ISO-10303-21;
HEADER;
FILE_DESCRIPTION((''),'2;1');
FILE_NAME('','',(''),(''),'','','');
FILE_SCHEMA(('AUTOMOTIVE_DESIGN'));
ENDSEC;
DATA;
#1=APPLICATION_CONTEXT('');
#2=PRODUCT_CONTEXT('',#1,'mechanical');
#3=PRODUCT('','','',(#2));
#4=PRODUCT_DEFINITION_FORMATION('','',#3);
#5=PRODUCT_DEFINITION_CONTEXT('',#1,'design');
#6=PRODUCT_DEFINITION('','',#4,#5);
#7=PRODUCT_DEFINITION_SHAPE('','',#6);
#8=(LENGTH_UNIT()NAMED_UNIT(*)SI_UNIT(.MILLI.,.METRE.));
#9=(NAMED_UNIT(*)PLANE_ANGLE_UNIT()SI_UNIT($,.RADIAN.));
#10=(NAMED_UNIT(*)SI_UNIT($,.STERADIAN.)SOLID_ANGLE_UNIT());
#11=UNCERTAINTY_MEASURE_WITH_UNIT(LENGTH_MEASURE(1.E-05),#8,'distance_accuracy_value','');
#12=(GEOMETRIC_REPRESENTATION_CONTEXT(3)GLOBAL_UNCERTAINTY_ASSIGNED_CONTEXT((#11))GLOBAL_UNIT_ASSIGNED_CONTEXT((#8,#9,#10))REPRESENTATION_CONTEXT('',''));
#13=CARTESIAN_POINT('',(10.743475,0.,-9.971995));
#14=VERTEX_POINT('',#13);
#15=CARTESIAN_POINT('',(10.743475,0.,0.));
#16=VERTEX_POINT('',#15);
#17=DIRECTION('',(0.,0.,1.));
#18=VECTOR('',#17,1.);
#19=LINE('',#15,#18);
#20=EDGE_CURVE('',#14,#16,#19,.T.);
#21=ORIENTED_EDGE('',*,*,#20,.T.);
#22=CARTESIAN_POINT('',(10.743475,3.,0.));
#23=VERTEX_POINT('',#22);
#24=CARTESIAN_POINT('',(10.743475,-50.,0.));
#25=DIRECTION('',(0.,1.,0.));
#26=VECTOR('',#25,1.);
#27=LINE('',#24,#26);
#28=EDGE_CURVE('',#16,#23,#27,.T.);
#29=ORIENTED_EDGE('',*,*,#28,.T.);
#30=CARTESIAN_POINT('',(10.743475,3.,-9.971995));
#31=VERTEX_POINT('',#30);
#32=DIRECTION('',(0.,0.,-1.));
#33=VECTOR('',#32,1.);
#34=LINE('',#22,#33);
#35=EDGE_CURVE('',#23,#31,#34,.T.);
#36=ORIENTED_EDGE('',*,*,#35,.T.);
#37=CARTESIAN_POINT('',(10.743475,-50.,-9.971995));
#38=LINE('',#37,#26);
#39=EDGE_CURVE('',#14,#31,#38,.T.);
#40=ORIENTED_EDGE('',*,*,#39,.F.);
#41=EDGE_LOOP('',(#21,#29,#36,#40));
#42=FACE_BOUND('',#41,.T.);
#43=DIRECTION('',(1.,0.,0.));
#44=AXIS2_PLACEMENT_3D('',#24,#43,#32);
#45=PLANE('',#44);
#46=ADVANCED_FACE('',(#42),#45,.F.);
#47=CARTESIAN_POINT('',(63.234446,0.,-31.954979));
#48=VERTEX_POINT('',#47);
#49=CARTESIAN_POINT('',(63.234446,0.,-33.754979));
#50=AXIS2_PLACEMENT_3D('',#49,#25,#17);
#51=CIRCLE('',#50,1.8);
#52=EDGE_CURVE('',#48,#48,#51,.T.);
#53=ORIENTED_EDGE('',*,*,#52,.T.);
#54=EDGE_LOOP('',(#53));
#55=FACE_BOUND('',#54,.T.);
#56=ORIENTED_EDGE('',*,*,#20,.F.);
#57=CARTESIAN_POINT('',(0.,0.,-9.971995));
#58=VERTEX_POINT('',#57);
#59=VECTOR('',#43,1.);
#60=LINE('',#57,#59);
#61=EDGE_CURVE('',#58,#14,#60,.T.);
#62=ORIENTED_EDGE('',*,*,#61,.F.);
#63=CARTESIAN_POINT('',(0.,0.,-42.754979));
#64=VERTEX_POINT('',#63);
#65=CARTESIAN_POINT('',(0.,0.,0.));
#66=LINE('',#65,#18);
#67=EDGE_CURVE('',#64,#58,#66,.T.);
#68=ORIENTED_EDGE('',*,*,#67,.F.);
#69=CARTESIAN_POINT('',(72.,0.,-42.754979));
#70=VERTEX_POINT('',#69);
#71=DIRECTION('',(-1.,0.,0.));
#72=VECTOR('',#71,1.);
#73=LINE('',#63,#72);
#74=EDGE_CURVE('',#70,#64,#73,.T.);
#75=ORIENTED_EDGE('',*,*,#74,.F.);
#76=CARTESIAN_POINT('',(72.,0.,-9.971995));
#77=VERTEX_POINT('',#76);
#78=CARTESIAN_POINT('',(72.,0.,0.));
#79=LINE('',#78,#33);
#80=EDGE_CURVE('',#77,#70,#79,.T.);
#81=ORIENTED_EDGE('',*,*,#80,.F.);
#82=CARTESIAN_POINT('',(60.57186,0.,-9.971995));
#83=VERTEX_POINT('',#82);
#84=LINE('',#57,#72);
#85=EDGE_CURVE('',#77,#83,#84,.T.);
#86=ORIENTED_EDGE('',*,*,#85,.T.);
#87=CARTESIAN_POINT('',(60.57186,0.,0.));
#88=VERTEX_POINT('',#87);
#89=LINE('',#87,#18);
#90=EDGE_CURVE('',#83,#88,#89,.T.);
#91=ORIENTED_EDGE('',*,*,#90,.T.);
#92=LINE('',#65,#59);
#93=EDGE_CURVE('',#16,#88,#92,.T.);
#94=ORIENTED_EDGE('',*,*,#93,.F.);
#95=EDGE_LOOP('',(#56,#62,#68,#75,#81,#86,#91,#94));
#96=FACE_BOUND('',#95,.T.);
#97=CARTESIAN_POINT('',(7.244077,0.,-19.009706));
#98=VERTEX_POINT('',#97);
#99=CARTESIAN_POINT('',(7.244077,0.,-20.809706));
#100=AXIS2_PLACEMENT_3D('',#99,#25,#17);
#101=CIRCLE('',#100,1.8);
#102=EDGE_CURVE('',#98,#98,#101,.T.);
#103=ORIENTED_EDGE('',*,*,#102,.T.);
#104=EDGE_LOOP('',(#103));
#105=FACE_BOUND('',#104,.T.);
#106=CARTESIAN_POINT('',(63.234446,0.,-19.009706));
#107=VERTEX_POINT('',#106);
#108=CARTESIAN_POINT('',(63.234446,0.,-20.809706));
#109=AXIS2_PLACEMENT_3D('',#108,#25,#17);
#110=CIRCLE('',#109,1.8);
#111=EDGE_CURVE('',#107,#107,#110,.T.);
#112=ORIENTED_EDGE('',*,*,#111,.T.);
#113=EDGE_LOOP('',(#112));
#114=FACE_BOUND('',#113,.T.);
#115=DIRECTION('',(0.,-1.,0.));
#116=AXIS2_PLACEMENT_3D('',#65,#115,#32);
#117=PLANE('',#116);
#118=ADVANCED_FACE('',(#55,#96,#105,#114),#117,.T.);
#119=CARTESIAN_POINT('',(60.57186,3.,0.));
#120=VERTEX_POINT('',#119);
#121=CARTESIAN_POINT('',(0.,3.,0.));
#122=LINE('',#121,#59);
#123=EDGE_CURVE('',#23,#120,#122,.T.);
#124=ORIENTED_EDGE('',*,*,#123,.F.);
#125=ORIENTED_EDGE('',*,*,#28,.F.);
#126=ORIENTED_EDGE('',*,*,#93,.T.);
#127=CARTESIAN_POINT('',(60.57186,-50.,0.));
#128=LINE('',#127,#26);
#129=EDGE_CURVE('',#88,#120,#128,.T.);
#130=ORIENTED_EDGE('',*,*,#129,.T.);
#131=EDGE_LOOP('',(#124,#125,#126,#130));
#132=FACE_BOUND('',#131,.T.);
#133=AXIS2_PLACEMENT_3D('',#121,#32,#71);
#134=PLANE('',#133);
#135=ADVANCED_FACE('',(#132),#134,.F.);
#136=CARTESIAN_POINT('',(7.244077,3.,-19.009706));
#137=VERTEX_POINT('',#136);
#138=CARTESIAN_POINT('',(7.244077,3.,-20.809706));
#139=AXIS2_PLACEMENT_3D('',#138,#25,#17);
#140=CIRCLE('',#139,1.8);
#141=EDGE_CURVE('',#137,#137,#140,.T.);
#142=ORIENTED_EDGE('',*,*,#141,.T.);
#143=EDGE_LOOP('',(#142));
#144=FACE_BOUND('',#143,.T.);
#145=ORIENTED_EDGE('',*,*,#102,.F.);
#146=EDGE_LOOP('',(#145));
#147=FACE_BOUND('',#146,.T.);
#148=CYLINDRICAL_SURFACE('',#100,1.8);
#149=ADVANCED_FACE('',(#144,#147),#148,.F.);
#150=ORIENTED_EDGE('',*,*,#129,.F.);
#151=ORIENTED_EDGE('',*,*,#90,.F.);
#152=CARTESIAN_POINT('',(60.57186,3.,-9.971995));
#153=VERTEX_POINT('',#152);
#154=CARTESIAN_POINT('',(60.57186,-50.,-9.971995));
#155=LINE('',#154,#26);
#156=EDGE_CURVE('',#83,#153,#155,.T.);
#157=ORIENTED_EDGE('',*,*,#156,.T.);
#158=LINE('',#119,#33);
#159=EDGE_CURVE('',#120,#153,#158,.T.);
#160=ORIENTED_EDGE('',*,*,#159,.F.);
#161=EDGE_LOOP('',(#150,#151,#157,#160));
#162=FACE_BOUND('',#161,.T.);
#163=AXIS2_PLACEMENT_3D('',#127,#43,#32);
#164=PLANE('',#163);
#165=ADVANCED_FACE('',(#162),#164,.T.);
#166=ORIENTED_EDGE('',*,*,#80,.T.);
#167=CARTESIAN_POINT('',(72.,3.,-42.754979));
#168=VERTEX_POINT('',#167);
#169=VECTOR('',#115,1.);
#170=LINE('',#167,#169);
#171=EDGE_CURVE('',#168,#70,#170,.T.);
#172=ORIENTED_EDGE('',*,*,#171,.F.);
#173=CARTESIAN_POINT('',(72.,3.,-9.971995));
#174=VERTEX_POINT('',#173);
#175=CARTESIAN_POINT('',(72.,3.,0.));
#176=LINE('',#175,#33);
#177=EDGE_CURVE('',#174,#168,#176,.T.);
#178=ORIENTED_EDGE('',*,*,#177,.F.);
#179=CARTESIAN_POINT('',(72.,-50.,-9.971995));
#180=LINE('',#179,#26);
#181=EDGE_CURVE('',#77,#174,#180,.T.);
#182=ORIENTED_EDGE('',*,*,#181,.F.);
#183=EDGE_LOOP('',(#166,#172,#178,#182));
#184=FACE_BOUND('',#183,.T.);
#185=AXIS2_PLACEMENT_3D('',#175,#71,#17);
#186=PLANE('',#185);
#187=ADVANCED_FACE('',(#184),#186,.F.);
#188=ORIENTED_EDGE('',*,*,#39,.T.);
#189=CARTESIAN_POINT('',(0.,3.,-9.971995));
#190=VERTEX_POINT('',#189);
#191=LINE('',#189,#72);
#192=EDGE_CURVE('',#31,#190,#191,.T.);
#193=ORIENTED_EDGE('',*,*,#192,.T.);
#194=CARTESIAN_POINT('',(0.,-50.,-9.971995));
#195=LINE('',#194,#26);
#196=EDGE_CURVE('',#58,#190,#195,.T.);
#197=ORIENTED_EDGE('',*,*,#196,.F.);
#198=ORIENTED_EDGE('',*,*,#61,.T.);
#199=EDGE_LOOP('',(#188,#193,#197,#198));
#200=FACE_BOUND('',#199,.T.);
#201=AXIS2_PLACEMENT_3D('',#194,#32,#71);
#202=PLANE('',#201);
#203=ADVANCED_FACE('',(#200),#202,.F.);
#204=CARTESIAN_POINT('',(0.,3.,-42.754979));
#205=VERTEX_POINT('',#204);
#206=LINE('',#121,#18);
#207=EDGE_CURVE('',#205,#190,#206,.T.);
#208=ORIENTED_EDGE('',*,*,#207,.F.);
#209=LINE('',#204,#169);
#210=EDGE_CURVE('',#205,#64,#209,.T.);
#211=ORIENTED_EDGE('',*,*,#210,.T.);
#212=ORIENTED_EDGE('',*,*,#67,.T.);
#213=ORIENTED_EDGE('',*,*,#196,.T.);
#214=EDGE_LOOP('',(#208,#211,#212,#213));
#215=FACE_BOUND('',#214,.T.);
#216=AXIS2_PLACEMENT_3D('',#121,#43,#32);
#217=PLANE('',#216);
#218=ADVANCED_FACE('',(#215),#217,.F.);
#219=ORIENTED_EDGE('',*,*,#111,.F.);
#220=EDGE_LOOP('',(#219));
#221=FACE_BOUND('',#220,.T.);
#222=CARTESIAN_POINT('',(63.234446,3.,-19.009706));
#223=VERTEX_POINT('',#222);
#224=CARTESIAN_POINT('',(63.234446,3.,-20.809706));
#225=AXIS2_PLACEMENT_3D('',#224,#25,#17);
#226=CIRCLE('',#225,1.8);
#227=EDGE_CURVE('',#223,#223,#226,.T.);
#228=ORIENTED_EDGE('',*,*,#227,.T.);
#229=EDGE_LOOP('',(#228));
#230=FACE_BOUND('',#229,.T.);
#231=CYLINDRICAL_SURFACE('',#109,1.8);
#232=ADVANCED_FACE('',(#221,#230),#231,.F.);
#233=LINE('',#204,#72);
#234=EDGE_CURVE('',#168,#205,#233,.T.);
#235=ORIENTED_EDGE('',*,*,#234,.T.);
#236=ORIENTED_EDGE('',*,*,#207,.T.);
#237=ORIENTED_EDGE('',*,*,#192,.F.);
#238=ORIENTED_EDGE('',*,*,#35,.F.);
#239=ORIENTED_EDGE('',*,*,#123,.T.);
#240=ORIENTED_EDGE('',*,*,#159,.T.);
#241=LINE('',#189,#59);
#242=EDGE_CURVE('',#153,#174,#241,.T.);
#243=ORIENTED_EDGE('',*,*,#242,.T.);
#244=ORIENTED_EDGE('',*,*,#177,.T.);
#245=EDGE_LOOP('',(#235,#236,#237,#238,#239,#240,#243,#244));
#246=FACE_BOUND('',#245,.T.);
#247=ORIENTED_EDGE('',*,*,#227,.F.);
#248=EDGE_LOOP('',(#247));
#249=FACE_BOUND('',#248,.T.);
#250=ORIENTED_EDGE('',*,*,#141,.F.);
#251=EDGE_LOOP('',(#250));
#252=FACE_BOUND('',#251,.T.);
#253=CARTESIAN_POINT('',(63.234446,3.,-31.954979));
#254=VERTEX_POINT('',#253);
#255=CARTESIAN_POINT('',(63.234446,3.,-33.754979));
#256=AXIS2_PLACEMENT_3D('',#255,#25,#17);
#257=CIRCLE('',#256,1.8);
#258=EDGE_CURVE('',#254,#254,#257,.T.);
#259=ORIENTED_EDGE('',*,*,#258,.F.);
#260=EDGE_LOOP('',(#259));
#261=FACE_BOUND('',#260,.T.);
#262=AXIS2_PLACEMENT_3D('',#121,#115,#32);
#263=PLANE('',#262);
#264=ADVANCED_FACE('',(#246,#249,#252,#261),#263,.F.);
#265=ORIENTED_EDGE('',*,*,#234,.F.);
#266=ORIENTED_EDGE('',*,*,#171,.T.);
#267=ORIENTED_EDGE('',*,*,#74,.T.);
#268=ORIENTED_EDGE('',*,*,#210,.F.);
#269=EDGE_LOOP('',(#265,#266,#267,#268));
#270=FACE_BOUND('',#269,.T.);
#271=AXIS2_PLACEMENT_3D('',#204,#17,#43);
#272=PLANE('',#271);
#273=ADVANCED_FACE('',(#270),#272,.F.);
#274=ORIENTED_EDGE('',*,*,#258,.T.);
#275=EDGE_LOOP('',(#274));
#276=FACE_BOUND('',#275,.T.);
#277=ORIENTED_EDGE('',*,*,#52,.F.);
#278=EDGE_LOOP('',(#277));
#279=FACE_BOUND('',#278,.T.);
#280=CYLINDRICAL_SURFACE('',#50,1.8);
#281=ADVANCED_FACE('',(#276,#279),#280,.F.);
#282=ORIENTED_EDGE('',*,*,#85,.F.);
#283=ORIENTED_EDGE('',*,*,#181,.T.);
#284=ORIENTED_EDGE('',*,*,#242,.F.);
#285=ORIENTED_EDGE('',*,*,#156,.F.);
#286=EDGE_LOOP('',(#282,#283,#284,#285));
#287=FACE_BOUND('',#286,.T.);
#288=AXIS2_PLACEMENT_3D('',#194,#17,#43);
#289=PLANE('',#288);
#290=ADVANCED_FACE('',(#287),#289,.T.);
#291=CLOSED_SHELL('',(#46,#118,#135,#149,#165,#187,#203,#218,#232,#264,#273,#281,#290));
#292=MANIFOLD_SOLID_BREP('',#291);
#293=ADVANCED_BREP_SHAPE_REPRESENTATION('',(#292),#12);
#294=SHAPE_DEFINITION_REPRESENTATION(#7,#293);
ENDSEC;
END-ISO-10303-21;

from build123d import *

# Parameters (mm, degrees)
SKETCH1_W           = 72
SKETCH1_H           = 42.7549792
BOSS_EXTRUDE1_DEPTH = 3
SKETCH2_R           = 1.8
CUT_EXTRUDE1_DEPTH  = 3
SKETCH3_W           = 10.743475017
SKETCH3_H           = 9.971995481
SKETCH3_W_2         = 11.428139851
SKETCH3_H_2         = 7.796989135
SKETCH3_H_3         = 2.175006346
CUT_EXTRUDE2_DEPTH  = 53


with BuildPart() as part:
    # Sketch1 → Boss-Extrude1 (new body)
    with BuildSketch(Plane(origin=(0, 0, 0), x_dir=(1, 0, 0), z_dir=(0, 1, 0))):
        with Locations((36, 21.3774896)):
            Rectangle(SKETCH1_W, SKETCH1_H)
    extrude(amount=BOSS_EXTRUDE1_DEPTH)

    # Sketch2 → Cut-Extrude1 (cut)
    with BuildSketch(Plane(origin=(0, 3, 0), x_dir=(1, 0, 0), z_dir=(0, 1, 0))):
        with Locations(Location((7.244076977, 20.809705714, 0), (0, 0, 270))):
            Circle(SKETCH2_R)
        with Locations(Location((63.234445615, 20.809705714, 0), (0, 0, 270))):
            Circle(SKETCH2_R)
        with Locations(Location((63.234445615, 33.7549792, 0), (0, 0, 270))):
            Circle(SKETCH2_R)
    extrude(amount=-CUT_EXTRUDE1_DEPTH, mode=Mode.SUBTRACT)

    # Sketch3 → Cut-Extrude2 (cut)
    with BuildSketch(Plane(origin=(0, 3, 0), x_dir=(1, 0, 0), z_dir=(0, 1, 0))):
        with Locations((5.371737509, 4.985997741)):
            Rectangle(SKETCH3_W, SKETCH3_H)
        with Locations((66.285930075, 6.073500914)):
            Rectangle(SKETCH3_W_2, SKETCH3_H_2)
        with Locations((66.285930075, 1.087503173)):
            Rectangle(SKETCH3_W_2, SKETCH3_H_3)
    extrude(amount=-CUT_EXTRUDE2_DEPTH, mode=Mode.SUBTRACT)


solid = part.part
